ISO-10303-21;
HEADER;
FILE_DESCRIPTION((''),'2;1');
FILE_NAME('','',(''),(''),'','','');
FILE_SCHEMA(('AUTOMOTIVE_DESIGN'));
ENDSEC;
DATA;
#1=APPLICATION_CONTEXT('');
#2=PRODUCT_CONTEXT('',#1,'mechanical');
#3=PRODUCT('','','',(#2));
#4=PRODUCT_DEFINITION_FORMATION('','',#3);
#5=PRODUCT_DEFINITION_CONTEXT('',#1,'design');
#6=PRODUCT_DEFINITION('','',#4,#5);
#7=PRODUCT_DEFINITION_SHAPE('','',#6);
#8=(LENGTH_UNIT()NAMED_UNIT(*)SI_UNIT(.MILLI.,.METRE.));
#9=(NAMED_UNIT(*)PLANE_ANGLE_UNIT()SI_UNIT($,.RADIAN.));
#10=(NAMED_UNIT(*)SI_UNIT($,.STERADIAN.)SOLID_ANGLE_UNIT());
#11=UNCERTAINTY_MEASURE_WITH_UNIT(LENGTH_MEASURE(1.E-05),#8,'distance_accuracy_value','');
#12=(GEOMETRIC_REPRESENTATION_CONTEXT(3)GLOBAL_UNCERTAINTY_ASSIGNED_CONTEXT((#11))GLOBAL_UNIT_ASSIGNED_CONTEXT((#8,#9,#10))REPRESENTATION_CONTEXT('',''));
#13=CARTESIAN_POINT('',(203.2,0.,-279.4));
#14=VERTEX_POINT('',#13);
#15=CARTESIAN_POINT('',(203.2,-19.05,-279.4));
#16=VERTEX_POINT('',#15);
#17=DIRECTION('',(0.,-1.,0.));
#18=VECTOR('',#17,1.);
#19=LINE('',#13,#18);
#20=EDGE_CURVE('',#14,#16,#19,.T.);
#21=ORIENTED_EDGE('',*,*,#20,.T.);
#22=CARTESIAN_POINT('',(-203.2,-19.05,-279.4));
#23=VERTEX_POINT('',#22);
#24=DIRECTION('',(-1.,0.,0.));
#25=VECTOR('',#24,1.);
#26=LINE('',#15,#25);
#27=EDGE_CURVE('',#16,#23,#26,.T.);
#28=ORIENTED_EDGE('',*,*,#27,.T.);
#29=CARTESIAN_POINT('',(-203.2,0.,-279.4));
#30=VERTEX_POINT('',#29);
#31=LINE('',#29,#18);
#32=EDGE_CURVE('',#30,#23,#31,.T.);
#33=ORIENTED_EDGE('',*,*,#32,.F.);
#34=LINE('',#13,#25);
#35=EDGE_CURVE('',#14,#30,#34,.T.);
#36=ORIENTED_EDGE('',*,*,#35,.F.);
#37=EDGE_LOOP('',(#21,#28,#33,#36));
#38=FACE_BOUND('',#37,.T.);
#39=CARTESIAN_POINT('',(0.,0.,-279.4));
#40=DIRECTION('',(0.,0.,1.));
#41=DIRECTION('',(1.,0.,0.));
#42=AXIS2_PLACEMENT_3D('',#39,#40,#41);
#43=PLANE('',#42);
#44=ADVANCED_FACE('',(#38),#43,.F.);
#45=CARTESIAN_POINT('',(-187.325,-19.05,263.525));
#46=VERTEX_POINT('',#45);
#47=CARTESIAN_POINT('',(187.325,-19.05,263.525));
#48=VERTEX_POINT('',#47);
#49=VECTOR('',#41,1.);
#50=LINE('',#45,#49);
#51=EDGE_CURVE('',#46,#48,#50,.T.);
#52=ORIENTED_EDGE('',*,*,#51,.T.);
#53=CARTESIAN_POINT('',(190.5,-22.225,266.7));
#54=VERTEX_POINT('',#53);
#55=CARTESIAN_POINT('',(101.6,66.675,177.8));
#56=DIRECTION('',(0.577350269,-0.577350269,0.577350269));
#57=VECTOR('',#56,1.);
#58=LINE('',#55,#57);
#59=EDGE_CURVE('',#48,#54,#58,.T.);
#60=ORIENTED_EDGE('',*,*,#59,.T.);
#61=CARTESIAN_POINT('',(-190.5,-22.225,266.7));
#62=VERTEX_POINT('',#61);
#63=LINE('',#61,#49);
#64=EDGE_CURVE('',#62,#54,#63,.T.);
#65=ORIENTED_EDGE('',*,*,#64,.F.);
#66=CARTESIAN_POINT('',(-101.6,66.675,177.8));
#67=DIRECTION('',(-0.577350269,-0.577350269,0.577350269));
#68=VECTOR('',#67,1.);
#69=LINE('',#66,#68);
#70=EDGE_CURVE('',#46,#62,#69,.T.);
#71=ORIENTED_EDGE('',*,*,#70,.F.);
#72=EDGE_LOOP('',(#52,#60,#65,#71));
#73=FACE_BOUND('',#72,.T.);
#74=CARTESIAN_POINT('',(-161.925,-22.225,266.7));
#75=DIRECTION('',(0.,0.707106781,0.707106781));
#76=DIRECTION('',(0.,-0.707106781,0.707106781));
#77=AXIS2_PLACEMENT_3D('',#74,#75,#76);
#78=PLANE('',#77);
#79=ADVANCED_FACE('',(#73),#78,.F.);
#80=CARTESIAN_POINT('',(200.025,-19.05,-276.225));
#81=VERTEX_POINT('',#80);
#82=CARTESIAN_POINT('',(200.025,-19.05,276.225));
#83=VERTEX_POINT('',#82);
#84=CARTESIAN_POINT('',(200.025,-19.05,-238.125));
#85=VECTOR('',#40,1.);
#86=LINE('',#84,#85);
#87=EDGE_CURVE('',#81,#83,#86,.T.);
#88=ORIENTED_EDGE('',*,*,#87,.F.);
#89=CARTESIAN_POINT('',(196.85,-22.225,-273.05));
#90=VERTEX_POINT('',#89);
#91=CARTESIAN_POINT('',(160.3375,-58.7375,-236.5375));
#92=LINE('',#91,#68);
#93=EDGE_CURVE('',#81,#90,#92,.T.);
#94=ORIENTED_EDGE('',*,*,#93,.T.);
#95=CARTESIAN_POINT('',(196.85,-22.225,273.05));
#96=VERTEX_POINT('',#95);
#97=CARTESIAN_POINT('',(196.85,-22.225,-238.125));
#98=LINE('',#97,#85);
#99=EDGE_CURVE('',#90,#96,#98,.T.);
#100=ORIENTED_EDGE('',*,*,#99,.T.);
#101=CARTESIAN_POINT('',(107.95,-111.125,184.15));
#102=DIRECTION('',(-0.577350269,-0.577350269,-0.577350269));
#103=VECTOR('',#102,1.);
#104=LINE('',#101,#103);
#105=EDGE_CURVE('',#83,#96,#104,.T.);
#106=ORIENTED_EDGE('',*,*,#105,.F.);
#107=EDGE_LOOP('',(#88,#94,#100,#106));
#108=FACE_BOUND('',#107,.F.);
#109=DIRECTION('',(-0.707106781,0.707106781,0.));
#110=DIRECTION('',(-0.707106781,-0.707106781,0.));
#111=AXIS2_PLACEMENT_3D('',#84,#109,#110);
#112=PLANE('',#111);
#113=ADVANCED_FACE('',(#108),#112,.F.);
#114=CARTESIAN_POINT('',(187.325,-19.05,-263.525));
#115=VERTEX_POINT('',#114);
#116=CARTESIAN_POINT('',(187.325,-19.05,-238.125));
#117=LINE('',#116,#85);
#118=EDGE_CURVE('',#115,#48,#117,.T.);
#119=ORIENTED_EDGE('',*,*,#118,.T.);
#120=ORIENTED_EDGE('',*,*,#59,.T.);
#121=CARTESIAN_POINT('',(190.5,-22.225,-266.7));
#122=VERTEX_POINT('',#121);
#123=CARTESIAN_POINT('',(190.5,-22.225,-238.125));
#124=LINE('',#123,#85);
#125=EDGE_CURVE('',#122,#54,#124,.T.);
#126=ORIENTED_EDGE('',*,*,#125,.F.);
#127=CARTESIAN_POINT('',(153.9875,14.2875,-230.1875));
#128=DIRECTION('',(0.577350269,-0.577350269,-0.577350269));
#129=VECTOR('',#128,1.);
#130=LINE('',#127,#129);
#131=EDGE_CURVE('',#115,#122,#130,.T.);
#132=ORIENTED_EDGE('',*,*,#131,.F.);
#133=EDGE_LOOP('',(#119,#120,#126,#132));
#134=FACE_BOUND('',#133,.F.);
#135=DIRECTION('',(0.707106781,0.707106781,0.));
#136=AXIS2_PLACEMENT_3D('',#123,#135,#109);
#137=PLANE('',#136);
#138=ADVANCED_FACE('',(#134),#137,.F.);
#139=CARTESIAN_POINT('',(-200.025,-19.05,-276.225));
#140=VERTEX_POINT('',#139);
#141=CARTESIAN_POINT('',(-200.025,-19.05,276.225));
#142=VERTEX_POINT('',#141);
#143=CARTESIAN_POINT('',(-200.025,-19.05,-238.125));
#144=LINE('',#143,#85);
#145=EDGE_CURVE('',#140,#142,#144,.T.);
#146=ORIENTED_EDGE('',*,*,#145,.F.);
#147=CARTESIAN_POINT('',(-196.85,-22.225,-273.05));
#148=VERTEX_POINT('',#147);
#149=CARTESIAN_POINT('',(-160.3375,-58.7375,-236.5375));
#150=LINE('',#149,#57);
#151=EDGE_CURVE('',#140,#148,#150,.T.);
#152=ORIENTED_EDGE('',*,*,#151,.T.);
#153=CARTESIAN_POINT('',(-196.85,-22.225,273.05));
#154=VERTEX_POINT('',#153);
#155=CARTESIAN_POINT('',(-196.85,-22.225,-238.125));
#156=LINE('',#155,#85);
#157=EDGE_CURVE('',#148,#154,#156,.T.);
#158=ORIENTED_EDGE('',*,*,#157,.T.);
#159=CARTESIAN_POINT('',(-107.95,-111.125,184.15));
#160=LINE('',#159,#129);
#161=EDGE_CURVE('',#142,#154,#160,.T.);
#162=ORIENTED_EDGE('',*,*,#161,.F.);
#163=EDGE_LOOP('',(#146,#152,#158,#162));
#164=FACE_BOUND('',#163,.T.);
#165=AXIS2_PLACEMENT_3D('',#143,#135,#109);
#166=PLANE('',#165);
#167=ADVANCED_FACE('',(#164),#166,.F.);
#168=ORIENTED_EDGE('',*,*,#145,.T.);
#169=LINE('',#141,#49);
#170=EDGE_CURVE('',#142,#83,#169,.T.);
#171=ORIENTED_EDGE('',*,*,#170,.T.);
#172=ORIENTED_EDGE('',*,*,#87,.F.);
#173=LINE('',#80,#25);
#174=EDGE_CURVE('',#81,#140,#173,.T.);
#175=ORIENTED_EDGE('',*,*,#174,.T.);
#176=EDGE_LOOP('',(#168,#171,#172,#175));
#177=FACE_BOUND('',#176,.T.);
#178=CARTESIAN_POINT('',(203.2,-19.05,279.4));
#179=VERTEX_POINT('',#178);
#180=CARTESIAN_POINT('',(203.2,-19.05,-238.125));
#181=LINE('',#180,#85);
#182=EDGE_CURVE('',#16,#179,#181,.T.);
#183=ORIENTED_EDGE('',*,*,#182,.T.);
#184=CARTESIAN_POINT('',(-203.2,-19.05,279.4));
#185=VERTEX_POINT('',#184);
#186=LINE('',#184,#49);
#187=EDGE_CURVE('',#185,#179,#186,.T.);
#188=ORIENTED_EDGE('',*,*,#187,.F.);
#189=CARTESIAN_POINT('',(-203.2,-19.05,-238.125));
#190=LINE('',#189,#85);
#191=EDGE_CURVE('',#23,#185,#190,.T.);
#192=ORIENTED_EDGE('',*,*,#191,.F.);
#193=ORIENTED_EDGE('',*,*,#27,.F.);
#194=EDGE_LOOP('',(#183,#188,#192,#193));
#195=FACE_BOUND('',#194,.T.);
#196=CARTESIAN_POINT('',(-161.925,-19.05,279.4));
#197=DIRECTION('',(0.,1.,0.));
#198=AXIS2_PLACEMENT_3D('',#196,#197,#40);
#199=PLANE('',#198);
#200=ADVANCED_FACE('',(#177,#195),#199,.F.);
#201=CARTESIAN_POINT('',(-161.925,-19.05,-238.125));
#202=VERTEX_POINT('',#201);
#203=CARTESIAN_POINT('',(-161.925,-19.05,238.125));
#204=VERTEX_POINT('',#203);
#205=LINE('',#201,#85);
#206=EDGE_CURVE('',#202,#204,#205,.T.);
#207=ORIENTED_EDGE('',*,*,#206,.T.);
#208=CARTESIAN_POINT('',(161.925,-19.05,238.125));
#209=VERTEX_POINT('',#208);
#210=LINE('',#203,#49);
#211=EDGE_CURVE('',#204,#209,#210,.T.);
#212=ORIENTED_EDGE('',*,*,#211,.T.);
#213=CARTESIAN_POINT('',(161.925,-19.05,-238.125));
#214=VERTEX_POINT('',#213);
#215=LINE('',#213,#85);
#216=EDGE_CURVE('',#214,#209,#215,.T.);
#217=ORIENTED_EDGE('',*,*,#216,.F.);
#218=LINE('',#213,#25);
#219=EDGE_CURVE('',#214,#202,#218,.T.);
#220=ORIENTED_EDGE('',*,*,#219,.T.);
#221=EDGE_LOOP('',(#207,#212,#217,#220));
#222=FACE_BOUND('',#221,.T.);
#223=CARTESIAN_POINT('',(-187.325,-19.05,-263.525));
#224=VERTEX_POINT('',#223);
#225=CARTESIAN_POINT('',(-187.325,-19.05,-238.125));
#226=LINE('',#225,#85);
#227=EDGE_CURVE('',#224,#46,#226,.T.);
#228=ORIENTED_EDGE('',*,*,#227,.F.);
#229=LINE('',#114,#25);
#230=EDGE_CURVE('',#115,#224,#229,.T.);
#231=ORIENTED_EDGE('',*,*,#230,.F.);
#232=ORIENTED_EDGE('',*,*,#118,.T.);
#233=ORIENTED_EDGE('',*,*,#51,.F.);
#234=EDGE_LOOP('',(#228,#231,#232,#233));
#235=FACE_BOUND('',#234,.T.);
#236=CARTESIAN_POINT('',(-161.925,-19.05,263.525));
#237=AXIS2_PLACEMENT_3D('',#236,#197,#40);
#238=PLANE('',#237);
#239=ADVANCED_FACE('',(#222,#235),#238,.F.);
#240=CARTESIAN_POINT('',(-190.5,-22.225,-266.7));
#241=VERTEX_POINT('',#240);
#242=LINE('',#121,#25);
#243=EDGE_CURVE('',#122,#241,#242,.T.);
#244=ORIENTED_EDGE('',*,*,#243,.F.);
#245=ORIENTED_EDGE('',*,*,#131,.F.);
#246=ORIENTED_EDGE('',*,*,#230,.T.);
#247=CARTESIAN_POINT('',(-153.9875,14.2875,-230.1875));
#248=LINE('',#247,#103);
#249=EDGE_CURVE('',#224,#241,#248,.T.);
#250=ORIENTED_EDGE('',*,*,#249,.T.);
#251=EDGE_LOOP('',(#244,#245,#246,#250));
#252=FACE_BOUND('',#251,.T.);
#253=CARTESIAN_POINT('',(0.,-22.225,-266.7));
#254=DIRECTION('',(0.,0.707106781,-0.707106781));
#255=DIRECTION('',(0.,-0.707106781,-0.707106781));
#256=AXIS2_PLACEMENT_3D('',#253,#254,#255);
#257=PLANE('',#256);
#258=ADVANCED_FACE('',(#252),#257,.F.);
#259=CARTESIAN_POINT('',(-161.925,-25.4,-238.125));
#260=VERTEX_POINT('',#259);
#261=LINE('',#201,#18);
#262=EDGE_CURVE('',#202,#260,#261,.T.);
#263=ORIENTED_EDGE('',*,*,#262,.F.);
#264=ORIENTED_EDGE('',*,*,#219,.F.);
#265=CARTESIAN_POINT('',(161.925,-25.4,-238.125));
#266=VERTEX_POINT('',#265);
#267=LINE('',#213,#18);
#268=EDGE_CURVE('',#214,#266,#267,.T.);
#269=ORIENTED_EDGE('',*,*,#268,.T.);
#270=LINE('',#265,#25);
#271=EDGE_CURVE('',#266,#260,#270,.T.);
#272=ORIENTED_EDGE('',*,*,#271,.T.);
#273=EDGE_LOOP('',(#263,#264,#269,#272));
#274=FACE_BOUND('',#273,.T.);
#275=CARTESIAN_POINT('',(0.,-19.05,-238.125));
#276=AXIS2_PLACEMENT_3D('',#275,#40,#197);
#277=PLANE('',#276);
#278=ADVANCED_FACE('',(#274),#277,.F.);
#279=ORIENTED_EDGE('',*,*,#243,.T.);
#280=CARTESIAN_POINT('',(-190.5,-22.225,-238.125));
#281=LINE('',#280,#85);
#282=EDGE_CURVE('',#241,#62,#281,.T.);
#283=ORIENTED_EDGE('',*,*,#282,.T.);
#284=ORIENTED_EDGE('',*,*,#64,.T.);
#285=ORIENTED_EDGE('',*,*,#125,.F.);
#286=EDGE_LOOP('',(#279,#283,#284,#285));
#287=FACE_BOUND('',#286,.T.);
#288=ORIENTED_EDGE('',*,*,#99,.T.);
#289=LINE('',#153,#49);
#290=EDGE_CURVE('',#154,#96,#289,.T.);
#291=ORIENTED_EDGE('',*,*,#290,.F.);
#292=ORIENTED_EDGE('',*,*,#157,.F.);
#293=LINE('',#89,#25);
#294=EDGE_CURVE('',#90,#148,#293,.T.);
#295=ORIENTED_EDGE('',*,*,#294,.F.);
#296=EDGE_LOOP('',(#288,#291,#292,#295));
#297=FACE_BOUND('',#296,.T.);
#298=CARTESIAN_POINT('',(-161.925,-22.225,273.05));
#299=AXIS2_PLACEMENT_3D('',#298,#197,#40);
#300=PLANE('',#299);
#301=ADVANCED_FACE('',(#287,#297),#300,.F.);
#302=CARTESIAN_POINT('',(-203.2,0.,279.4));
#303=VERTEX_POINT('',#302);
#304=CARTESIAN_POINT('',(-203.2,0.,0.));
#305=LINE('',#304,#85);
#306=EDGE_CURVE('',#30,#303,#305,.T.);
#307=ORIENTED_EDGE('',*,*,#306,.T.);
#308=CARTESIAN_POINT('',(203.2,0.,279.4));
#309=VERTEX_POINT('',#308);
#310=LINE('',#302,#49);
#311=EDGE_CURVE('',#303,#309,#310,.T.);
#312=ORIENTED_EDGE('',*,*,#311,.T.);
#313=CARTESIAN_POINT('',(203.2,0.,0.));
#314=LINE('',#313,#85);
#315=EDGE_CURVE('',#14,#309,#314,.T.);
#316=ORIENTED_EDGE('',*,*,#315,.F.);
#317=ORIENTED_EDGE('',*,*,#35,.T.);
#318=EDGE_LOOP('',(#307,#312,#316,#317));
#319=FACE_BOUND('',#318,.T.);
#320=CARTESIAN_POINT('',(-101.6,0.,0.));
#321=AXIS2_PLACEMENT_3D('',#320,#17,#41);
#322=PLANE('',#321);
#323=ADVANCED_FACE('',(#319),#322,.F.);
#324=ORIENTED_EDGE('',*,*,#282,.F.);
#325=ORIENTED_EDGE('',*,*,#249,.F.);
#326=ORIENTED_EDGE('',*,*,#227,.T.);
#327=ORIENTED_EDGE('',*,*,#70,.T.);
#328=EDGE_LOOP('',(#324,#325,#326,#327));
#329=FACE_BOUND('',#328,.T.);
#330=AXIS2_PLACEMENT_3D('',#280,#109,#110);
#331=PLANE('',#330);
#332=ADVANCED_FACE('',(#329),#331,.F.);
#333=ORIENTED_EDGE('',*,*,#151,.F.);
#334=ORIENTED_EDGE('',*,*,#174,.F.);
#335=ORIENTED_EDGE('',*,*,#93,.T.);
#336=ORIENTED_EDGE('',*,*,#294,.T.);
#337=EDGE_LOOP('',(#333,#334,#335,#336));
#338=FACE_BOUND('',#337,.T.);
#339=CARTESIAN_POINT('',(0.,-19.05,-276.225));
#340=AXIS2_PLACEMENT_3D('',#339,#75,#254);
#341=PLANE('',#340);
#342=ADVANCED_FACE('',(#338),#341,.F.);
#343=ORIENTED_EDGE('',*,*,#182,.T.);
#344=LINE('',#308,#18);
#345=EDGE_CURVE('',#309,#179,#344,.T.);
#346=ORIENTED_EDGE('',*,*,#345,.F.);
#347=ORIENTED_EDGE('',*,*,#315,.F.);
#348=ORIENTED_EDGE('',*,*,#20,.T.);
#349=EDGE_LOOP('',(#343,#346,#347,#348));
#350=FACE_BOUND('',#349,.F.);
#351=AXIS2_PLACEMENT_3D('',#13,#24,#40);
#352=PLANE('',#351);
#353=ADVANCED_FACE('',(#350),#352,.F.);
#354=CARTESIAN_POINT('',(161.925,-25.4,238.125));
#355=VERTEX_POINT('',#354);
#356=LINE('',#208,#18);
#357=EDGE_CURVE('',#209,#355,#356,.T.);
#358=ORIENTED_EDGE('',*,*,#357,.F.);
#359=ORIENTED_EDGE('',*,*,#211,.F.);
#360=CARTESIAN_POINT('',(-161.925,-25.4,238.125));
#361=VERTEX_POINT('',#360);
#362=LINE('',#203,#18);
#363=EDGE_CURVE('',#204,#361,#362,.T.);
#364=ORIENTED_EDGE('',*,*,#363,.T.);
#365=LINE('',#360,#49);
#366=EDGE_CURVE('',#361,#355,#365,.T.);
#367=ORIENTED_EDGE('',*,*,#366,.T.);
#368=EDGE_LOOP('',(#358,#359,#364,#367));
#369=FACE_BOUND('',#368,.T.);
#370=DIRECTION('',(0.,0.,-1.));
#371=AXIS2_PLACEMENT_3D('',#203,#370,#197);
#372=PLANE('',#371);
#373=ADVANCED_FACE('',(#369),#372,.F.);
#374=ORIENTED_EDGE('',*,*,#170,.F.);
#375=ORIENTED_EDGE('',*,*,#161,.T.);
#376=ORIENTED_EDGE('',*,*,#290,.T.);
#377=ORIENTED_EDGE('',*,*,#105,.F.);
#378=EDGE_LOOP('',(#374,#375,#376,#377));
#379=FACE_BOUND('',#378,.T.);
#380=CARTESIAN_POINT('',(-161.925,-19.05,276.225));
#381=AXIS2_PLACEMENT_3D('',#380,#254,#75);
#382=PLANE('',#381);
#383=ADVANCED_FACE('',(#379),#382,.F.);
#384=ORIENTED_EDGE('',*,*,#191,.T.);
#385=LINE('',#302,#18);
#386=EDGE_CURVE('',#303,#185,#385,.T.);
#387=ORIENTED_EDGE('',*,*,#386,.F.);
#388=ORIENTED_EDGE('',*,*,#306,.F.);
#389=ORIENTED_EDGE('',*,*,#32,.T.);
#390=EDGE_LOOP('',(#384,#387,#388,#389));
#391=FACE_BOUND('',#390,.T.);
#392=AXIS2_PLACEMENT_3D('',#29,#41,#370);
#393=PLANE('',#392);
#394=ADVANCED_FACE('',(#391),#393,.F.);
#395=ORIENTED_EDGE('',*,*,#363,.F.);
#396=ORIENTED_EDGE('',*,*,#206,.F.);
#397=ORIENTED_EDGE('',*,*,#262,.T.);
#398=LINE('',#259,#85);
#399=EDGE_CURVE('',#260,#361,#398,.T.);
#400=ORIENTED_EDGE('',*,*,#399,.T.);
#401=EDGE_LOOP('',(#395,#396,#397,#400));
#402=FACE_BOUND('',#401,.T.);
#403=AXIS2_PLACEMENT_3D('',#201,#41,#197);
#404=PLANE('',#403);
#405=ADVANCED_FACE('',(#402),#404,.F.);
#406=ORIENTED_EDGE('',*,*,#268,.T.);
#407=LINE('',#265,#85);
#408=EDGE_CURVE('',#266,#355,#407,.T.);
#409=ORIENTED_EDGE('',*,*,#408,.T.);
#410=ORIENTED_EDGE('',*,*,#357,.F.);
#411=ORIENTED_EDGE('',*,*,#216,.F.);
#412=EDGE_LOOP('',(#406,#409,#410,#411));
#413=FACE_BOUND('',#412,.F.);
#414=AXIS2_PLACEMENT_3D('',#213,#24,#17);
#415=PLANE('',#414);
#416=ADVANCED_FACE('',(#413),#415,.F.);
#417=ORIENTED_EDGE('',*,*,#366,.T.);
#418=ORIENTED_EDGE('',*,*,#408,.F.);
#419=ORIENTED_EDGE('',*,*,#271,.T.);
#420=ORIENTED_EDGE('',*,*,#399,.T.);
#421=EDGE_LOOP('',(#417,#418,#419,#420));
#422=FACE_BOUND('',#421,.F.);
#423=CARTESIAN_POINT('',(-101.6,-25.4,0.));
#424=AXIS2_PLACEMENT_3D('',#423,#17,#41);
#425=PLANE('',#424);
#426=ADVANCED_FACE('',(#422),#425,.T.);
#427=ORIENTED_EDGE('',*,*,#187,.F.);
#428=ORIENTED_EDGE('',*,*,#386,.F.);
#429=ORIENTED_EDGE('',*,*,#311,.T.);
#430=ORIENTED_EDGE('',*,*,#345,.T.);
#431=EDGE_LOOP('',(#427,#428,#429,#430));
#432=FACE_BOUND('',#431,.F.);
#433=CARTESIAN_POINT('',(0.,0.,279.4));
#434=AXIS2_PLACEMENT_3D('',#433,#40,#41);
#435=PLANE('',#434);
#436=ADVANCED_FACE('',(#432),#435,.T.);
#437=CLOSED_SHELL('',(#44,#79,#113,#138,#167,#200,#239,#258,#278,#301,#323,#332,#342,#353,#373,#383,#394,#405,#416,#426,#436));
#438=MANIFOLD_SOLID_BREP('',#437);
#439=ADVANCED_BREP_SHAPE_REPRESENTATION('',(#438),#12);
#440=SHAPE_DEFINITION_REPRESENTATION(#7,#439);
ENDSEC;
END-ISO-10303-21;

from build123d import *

# Parameters (mm, degrees)
F0_W     = 203.2
F0_H     = 558.8
F1_DEPTH = 25.4


with BuildPart() as f1:
    # F0 (on Front) → F1 (new body)
    with BuildSketch(Plane.XZ):
        with Locations((101.6, 0)):
            Rectangle(F0_W, F0_H)
    extrude(amount=F1_DEPTH)

    # F4: sweep along a path in F3
    with BuildLine(Plane.XZ.offset(25.4)) as f4_path:
        Line((0, -238.125), (161.925, -238.125))
        Line((161.925, -238.125), (161.925, 238.125))
        Line((161.925, 238.125), (0, 238.125))
    # F2 (on Right) → F4 (sweep, cut)
    with BuildSketch(Plane.YZ):
        Polygon((-19.05, -263.525), (-19.05, -238.125), (-25.4, -238.125), (-25.4, -279.4), (-19.05, -279.4), (-19.05, -276.225), (-22.225, -273.05), (-22.225, -266.7), align=None)
    sweep(path=f4_path.line, transition=Transition.RIGHT, mode=Mode.SUBTRACT)

    # F5: F1 across plane


with BuildPart() as f1_1:
    add(f1.part)
    add(f1.part.mirror(Plane.YZ))


solid = f1_1.part
